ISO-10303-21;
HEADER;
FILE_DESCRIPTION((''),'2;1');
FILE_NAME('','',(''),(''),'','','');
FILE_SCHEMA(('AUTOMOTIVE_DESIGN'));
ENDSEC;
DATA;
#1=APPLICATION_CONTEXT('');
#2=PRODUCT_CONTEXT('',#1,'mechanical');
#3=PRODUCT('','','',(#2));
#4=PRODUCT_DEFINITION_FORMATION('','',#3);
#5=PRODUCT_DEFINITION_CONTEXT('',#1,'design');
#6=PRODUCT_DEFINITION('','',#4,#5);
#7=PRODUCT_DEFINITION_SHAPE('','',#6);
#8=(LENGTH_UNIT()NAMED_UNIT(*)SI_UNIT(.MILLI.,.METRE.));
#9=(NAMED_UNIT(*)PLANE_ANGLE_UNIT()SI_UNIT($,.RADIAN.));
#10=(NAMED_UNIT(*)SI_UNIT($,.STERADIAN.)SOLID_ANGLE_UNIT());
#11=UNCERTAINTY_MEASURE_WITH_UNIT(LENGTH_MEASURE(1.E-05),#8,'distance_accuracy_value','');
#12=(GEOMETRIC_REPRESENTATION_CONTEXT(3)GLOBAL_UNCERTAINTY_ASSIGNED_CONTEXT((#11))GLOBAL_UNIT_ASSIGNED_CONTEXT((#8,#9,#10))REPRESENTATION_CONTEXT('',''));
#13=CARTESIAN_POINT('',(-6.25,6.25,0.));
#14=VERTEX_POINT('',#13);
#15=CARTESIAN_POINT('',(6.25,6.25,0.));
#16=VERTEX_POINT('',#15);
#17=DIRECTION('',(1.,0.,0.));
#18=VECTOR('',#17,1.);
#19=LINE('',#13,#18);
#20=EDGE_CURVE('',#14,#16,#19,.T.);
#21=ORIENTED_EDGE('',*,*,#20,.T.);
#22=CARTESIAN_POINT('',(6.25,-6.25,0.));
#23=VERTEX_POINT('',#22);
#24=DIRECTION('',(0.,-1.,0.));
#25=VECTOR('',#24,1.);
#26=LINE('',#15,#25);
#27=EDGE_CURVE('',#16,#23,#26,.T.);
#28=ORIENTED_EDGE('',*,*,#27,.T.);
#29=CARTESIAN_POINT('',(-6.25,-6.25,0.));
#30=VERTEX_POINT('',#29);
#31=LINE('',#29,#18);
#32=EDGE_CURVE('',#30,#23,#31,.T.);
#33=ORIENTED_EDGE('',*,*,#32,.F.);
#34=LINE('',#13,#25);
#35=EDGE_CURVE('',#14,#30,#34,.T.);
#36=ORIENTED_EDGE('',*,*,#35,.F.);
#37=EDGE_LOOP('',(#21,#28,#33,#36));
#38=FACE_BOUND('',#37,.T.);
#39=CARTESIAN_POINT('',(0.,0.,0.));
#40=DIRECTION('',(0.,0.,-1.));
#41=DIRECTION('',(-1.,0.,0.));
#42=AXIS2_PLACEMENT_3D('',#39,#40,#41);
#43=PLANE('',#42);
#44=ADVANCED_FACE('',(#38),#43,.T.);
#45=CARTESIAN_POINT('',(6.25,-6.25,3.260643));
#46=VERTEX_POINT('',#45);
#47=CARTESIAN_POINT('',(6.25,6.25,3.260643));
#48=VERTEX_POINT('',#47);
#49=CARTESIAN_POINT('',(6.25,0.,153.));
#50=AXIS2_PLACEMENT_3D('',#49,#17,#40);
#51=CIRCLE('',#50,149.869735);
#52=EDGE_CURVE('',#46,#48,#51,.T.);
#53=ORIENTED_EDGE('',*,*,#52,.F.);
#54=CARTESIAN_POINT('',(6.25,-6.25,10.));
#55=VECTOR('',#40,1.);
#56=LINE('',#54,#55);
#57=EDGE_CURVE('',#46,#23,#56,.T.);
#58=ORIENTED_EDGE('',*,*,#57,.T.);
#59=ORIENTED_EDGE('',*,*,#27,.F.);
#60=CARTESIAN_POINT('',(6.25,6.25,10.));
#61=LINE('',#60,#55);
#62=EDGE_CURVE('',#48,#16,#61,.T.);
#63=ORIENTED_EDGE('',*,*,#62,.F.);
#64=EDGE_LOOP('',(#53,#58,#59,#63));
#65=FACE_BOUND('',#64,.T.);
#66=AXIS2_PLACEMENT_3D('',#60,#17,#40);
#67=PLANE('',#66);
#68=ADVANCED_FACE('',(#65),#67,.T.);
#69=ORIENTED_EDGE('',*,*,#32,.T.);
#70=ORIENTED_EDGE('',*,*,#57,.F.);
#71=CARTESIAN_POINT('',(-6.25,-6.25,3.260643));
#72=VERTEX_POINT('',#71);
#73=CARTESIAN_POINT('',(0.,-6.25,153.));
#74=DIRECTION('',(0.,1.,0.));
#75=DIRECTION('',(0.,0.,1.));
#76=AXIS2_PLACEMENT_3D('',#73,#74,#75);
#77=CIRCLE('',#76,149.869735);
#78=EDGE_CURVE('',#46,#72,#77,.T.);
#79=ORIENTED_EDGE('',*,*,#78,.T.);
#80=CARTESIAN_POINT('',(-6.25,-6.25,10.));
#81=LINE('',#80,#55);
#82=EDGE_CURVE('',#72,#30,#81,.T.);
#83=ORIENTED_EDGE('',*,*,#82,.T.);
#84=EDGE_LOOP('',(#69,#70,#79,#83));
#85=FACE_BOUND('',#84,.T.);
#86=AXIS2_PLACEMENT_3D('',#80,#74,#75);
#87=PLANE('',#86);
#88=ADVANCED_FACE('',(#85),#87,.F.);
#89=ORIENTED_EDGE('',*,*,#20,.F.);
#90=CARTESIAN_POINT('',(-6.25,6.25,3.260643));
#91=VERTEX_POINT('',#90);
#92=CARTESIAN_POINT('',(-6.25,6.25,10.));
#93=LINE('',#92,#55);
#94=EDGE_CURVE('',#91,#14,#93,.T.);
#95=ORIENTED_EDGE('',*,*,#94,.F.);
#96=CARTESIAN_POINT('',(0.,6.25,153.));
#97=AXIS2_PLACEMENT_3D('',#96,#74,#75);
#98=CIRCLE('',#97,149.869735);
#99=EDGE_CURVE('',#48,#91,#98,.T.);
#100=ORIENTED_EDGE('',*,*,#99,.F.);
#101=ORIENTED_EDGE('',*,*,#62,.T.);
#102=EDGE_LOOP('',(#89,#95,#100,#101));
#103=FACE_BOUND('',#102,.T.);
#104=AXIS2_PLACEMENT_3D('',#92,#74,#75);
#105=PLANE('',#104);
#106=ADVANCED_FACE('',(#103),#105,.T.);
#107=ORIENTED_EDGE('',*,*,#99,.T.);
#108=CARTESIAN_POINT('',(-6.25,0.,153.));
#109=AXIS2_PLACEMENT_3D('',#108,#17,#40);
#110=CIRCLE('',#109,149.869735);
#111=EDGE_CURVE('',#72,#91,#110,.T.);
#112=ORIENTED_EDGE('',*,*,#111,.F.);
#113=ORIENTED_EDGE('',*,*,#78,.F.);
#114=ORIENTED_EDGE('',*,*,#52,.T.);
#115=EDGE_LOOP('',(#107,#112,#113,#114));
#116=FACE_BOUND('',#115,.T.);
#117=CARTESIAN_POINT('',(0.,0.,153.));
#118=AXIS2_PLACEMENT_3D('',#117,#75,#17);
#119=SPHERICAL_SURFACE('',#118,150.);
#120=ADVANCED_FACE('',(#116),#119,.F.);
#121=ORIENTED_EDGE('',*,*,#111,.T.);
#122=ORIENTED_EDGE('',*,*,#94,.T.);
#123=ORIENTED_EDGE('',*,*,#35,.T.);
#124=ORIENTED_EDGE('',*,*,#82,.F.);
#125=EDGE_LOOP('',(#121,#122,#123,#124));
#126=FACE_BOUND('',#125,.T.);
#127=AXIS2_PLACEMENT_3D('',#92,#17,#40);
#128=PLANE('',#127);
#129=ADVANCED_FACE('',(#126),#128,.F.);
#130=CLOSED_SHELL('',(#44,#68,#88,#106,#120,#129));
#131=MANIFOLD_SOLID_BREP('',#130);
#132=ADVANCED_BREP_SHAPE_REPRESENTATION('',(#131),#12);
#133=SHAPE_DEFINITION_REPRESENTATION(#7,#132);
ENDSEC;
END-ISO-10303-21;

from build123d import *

# Parameters (mm, degrees)
SKETCH_1_W      = 12.5
SKETCH_1_H      = 12.5
EXTRUDE_1_DEPTH = 10


with BuildPart() as part:
    # 草图1 → 凸台-拉伸1 (new body)
    with BuildSketch(Plane.XY):
        Rectangle(SKETCH_1_W, SKETCH_1_H)
    extrude(amount=EXTRUDE_1_DEPTH)

    # 草图2 → 切除-旋转2 (revolve, cut)
    with BuildSketch(Plane(origin=(0, 0, 0), x_dir=(1, 0, 0), z_dir=(0, 1, 0))):
        with BuildLine():
            Line((146.226819272, -119.567720305), (0, -119.567720305))
            Line((0, -119.567720305), (0, -3))
            ThreePointArc((0, -3), (93.501759464, -35.70796712), (146.226819272, -119.567720305))
        make_face()
    revolve(axis=Axis((0, 0, 119.567720305), (0, 0, -1)), mode=Mode.SUBTRACT)


solid = part.part
